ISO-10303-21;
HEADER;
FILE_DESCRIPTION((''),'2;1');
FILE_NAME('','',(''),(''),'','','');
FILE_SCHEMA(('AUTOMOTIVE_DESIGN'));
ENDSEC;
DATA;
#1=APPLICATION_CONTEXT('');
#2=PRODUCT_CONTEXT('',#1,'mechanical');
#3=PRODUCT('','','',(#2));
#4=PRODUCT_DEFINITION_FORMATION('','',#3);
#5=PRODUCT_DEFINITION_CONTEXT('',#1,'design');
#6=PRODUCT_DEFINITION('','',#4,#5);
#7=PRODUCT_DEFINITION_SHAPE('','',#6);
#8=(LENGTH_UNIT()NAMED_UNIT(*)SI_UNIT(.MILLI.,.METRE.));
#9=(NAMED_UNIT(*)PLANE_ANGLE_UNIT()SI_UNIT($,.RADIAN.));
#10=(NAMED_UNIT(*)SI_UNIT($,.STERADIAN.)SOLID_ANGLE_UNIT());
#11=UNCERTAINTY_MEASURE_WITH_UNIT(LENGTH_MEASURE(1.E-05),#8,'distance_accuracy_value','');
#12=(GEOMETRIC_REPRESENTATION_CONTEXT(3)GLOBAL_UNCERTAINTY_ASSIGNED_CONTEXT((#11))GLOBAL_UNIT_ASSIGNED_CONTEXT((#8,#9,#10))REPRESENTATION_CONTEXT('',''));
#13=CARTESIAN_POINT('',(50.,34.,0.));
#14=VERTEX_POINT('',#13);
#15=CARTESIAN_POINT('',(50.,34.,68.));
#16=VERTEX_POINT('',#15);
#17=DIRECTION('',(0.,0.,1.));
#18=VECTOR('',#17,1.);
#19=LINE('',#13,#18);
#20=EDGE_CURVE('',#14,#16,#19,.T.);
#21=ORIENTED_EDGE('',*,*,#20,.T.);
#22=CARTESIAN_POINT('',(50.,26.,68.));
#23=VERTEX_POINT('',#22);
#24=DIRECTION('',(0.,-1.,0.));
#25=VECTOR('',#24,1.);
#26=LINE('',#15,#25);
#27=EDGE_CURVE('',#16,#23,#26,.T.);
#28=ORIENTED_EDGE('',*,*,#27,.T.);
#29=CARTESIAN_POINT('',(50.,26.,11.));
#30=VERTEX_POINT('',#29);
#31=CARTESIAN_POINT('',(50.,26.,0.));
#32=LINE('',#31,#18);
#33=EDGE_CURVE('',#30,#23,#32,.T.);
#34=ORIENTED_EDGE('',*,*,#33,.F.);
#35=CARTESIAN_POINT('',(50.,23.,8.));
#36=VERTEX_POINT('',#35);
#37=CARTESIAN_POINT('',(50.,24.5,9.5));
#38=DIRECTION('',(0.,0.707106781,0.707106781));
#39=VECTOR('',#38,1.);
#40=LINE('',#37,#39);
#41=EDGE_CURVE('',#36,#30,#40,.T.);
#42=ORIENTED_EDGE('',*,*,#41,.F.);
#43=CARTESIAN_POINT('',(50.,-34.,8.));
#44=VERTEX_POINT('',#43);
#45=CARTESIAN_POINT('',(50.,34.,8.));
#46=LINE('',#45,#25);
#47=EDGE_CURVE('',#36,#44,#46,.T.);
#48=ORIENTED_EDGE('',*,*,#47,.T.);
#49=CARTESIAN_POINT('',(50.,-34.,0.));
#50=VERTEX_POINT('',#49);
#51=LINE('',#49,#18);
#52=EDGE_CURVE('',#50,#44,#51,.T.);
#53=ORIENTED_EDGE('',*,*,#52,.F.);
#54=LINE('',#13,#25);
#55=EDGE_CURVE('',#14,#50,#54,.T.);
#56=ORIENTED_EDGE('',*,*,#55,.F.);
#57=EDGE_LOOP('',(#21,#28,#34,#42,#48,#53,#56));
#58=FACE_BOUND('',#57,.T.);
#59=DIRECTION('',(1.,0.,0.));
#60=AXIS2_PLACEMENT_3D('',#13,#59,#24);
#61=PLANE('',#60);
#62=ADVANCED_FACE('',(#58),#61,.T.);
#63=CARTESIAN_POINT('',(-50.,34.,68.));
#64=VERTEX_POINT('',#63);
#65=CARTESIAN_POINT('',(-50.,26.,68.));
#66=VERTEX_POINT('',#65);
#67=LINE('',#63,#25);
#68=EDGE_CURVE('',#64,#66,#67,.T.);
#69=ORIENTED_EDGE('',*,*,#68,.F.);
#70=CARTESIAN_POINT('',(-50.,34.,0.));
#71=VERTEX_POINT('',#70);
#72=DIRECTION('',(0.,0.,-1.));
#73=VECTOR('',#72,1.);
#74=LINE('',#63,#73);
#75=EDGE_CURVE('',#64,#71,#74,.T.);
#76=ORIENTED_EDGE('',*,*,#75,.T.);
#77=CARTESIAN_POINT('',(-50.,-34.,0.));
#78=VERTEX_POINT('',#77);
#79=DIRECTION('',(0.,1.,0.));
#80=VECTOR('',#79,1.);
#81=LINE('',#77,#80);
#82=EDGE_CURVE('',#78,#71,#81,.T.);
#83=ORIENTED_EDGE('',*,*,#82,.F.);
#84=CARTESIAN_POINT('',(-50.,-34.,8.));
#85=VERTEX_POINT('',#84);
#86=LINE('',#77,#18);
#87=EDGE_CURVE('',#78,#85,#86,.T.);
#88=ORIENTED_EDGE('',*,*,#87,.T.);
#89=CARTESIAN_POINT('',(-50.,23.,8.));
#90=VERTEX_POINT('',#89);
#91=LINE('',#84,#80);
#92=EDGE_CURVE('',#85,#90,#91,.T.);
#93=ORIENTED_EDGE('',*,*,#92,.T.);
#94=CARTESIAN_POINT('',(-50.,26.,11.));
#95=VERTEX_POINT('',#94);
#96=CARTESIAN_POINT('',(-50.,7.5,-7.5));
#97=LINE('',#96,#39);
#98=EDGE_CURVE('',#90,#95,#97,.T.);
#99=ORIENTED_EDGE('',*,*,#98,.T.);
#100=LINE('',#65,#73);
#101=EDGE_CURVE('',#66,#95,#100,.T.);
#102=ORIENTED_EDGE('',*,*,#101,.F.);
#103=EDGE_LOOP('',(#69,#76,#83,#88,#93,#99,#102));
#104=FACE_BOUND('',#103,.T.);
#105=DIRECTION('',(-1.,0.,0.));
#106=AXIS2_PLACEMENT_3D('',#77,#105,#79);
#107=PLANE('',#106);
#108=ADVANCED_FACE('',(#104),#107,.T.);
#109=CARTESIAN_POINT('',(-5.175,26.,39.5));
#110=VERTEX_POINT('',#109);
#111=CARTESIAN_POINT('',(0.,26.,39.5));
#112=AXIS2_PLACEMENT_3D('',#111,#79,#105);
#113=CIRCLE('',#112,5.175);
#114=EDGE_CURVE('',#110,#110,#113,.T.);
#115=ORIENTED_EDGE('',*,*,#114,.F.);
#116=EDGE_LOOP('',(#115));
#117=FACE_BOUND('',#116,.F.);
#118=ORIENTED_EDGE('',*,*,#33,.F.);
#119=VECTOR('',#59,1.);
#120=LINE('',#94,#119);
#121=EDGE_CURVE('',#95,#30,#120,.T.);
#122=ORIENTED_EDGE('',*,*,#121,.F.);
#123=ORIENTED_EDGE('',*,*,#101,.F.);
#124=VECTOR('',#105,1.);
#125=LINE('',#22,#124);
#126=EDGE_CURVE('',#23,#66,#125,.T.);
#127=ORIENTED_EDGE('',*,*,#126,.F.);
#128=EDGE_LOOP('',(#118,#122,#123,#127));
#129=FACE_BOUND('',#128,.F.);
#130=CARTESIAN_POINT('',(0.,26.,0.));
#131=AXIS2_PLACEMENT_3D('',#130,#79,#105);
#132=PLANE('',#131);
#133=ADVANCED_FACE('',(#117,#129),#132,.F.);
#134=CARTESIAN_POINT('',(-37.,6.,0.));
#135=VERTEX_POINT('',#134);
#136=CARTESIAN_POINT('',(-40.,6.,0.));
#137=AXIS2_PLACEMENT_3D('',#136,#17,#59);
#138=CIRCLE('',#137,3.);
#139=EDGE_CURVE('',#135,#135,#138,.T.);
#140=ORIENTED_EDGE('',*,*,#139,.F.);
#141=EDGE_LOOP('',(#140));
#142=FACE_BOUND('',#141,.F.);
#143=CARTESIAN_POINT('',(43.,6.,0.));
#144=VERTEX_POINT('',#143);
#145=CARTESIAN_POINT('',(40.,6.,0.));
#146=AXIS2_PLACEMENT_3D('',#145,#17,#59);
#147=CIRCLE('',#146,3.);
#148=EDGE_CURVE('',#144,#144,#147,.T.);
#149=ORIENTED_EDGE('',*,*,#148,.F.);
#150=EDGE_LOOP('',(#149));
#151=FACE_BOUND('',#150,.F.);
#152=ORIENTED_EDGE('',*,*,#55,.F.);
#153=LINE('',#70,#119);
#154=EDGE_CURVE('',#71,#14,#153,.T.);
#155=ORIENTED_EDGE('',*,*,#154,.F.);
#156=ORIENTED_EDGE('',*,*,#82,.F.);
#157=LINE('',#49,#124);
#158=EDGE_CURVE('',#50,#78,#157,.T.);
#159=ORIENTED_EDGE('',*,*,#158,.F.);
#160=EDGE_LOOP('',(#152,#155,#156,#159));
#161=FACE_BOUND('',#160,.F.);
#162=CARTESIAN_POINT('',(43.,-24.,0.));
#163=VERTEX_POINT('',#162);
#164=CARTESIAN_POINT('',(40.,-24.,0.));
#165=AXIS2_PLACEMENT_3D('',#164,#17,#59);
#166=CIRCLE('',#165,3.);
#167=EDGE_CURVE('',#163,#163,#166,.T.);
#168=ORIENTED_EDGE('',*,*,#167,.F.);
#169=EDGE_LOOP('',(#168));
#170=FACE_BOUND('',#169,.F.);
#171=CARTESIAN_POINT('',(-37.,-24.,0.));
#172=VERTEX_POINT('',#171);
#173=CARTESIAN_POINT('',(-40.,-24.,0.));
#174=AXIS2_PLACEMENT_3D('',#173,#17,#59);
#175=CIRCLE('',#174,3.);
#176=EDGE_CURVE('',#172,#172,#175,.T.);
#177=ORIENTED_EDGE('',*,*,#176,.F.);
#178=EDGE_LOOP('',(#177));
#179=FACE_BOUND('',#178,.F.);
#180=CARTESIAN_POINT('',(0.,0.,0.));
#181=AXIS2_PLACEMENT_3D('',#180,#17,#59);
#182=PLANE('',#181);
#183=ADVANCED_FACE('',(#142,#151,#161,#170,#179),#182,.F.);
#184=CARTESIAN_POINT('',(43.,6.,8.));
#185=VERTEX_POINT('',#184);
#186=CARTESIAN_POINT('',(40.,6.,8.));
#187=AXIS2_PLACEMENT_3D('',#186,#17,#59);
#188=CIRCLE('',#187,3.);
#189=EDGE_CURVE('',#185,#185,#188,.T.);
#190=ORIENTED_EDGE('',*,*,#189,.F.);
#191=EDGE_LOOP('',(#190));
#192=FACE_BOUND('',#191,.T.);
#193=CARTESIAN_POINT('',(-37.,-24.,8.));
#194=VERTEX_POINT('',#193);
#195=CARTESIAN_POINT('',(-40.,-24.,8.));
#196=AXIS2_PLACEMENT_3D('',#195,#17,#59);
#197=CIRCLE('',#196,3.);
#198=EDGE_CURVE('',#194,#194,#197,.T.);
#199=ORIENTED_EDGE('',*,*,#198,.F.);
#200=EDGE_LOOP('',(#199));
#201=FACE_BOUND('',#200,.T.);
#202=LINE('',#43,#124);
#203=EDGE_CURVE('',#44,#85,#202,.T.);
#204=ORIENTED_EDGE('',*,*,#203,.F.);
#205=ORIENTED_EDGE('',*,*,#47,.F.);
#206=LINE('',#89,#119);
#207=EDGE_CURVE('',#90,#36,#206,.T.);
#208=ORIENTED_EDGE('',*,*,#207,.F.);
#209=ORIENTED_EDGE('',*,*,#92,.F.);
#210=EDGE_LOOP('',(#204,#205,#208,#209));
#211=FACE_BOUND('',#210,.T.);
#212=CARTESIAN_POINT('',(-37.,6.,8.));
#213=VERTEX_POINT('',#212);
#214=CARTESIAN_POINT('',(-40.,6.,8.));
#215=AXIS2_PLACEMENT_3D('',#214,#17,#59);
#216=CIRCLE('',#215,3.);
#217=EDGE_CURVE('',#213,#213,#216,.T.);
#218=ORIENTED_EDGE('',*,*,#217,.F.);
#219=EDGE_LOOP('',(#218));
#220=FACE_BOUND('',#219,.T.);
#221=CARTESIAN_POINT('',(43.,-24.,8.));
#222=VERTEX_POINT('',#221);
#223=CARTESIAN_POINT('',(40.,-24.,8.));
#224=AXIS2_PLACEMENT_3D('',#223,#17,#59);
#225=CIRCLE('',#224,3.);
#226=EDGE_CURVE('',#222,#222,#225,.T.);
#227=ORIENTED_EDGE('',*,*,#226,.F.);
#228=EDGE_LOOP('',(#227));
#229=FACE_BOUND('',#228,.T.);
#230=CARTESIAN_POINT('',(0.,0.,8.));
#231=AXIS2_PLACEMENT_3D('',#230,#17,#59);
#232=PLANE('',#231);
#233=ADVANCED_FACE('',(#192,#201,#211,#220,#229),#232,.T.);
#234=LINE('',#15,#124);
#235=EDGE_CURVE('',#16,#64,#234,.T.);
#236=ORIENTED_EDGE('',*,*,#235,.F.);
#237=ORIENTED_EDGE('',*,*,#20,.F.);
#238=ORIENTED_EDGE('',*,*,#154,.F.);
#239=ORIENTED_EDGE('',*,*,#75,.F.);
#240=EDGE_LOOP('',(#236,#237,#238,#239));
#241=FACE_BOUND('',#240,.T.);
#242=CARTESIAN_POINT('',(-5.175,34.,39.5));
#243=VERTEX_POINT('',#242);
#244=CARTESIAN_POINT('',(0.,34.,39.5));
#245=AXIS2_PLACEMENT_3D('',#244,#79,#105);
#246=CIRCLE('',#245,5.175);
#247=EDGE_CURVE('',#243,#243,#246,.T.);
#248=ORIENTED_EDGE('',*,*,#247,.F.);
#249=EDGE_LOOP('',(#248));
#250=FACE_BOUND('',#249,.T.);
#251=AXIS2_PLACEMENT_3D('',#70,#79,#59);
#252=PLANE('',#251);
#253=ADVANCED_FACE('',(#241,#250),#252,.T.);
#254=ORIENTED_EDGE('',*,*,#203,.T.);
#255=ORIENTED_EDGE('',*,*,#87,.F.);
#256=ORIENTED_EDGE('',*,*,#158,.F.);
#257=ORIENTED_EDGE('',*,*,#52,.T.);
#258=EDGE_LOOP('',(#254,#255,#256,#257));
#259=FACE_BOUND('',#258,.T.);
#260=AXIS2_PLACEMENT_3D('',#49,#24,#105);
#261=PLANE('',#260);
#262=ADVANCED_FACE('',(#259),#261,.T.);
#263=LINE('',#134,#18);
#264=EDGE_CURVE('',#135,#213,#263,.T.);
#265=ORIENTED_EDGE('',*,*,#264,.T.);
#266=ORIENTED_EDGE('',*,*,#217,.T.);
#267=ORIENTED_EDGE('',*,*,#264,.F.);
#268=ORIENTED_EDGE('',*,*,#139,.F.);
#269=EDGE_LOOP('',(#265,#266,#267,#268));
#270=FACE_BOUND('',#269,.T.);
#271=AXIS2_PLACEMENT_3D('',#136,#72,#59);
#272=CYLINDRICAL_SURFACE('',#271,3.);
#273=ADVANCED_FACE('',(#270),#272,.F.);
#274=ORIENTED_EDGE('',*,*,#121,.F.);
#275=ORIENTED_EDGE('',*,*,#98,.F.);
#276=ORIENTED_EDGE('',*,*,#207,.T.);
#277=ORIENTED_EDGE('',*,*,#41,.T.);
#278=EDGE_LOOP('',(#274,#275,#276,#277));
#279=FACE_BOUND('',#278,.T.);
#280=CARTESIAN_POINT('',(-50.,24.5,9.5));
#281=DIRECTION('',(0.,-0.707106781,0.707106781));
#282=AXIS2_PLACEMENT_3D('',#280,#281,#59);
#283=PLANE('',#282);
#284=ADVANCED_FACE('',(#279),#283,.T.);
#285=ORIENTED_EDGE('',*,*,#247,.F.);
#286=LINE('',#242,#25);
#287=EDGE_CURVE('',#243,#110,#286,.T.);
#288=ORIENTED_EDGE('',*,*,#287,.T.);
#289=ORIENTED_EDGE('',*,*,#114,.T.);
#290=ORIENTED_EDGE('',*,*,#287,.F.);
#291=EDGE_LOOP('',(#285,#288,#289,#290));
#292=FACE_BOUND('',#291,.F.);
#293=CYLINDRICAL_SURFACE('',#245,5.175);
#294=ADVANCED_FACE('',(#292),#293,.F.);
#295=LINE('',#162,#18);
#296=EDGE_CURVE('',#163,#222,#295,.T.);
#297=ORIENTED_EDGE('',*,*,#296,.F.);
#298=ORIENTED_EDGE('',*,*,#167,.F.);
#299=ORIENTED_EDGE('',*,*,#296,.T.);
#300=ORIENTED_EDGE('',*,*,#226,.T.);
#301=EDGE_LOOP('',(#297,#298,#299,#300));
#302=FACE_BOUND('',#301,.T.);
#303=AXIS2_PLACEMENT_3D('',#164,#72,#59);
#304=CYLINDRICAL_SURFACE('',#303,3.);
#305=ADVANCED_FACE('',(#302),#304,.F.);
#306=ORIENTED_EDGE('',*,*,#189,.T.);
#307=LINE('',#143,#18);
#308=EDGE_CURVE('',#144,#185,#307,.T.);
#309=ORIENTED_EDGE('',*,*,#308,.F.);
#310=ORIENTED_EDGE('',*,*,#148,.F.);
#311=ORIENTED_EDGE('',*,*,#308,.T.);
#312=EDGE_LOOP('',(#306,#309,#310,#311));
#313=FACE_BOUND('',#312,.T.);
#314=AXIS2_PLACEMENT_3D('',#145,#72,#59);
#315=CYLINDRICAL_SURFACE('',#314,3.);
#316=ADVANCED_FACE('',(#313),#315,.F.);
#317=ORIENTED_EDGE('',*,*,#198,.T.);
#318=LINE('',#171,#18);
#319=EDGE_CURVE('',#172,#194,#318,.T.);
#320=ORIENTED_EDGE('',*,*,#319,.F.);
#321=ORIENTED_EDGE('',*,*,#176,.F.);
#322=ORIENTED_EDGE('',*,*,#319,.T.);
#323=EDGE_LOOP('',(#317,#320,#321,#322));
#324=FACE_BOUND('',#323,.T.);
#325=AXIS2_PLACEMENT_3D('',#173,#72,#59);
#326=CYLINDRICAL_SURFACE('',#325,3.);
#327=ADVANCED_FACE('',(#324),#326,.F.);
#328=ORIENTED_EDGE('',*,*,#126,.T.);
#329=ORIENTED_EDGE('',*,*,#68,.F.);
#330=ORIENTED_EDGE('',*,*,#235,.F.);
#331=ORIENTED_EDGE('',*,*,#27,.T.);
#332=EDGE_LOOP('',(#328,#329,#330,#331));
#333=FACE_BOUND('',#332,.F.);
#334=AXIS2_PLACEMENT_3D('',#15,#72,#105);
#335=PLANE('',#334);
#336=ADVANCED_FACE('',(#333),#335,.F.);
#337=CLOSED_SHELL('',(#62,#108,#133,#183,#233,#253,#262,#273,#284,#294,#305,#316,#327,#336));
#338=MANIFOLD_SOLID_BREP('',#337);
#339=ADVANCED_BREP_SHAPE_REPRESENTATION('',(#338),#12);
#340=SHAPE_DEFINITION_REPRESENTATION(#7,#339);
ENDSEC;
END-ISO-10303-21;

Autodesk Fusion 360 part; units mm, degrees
sketch "Boceto1" plane through (0, 0, 0) normal (0, 0, 1) x (1, 0, 0)
  line L0 (50, -34) -> (-50, -34)
  line L1 (-50, -34) -> (-50, 34)
  line L2 (-50, 34) -> (50, 34)
  line L3 (50, 34) -> (50, -34)
  line L4 (50, -34) -> (-50, 34) construction
  line L5 (-50, -34) -> (50, 34) construction
  circle A0 centre (-40, 6) radius 3
  circle A1 centre (-40, -24) radius 3
  line L6 (0, -34) -> (0, 34) construction
  circle A2 centre (40, 6) radius 3
  circle A3 centre (40, -24) radius 3
  dimension "d1" = 100
  dimension "d2" = 68
  dimension "d3" = 6
  dimension "d4" = 6
  dimension "d5" = 30
  dimension "d6" = 10
  dimension "d7" = 10
  dimension "d8" = 10
extrude "Extruir1" add sketch "Boceto1" along normal blind 8
sketch "Boceto2" plane through (0, 34, 0) normal (0, 1, 0) x (-1, 0, 0)
  line L0 (-50, 0) -> (50, 0)
  line L1 (50, 0) -> (50, 8)
  line L2 (50, 8) -> (-50, 8)
  line L3 (-50, 8) -> (-50, 0)
  line L4 (-50, 0) -> (-50, 68)
  line L5 (-50, 68) -> (50, 68)
  line L6 (50, 68) -> (50, 0)
  circle A0 centre (0, 39.5) radius 5.175
  dimension "d16" = 68
  dimension "d17" = 10.35
  dimension "d18" = 50
  dimension "d19" = 28.5
extrude "Extruir2" add sketch "Boceto2" against normal blind 8 contours L2 L4 L5 L6
chamfer "Chaflán1" distance 3 angle 45 1 edges at (0, 26, 8)
